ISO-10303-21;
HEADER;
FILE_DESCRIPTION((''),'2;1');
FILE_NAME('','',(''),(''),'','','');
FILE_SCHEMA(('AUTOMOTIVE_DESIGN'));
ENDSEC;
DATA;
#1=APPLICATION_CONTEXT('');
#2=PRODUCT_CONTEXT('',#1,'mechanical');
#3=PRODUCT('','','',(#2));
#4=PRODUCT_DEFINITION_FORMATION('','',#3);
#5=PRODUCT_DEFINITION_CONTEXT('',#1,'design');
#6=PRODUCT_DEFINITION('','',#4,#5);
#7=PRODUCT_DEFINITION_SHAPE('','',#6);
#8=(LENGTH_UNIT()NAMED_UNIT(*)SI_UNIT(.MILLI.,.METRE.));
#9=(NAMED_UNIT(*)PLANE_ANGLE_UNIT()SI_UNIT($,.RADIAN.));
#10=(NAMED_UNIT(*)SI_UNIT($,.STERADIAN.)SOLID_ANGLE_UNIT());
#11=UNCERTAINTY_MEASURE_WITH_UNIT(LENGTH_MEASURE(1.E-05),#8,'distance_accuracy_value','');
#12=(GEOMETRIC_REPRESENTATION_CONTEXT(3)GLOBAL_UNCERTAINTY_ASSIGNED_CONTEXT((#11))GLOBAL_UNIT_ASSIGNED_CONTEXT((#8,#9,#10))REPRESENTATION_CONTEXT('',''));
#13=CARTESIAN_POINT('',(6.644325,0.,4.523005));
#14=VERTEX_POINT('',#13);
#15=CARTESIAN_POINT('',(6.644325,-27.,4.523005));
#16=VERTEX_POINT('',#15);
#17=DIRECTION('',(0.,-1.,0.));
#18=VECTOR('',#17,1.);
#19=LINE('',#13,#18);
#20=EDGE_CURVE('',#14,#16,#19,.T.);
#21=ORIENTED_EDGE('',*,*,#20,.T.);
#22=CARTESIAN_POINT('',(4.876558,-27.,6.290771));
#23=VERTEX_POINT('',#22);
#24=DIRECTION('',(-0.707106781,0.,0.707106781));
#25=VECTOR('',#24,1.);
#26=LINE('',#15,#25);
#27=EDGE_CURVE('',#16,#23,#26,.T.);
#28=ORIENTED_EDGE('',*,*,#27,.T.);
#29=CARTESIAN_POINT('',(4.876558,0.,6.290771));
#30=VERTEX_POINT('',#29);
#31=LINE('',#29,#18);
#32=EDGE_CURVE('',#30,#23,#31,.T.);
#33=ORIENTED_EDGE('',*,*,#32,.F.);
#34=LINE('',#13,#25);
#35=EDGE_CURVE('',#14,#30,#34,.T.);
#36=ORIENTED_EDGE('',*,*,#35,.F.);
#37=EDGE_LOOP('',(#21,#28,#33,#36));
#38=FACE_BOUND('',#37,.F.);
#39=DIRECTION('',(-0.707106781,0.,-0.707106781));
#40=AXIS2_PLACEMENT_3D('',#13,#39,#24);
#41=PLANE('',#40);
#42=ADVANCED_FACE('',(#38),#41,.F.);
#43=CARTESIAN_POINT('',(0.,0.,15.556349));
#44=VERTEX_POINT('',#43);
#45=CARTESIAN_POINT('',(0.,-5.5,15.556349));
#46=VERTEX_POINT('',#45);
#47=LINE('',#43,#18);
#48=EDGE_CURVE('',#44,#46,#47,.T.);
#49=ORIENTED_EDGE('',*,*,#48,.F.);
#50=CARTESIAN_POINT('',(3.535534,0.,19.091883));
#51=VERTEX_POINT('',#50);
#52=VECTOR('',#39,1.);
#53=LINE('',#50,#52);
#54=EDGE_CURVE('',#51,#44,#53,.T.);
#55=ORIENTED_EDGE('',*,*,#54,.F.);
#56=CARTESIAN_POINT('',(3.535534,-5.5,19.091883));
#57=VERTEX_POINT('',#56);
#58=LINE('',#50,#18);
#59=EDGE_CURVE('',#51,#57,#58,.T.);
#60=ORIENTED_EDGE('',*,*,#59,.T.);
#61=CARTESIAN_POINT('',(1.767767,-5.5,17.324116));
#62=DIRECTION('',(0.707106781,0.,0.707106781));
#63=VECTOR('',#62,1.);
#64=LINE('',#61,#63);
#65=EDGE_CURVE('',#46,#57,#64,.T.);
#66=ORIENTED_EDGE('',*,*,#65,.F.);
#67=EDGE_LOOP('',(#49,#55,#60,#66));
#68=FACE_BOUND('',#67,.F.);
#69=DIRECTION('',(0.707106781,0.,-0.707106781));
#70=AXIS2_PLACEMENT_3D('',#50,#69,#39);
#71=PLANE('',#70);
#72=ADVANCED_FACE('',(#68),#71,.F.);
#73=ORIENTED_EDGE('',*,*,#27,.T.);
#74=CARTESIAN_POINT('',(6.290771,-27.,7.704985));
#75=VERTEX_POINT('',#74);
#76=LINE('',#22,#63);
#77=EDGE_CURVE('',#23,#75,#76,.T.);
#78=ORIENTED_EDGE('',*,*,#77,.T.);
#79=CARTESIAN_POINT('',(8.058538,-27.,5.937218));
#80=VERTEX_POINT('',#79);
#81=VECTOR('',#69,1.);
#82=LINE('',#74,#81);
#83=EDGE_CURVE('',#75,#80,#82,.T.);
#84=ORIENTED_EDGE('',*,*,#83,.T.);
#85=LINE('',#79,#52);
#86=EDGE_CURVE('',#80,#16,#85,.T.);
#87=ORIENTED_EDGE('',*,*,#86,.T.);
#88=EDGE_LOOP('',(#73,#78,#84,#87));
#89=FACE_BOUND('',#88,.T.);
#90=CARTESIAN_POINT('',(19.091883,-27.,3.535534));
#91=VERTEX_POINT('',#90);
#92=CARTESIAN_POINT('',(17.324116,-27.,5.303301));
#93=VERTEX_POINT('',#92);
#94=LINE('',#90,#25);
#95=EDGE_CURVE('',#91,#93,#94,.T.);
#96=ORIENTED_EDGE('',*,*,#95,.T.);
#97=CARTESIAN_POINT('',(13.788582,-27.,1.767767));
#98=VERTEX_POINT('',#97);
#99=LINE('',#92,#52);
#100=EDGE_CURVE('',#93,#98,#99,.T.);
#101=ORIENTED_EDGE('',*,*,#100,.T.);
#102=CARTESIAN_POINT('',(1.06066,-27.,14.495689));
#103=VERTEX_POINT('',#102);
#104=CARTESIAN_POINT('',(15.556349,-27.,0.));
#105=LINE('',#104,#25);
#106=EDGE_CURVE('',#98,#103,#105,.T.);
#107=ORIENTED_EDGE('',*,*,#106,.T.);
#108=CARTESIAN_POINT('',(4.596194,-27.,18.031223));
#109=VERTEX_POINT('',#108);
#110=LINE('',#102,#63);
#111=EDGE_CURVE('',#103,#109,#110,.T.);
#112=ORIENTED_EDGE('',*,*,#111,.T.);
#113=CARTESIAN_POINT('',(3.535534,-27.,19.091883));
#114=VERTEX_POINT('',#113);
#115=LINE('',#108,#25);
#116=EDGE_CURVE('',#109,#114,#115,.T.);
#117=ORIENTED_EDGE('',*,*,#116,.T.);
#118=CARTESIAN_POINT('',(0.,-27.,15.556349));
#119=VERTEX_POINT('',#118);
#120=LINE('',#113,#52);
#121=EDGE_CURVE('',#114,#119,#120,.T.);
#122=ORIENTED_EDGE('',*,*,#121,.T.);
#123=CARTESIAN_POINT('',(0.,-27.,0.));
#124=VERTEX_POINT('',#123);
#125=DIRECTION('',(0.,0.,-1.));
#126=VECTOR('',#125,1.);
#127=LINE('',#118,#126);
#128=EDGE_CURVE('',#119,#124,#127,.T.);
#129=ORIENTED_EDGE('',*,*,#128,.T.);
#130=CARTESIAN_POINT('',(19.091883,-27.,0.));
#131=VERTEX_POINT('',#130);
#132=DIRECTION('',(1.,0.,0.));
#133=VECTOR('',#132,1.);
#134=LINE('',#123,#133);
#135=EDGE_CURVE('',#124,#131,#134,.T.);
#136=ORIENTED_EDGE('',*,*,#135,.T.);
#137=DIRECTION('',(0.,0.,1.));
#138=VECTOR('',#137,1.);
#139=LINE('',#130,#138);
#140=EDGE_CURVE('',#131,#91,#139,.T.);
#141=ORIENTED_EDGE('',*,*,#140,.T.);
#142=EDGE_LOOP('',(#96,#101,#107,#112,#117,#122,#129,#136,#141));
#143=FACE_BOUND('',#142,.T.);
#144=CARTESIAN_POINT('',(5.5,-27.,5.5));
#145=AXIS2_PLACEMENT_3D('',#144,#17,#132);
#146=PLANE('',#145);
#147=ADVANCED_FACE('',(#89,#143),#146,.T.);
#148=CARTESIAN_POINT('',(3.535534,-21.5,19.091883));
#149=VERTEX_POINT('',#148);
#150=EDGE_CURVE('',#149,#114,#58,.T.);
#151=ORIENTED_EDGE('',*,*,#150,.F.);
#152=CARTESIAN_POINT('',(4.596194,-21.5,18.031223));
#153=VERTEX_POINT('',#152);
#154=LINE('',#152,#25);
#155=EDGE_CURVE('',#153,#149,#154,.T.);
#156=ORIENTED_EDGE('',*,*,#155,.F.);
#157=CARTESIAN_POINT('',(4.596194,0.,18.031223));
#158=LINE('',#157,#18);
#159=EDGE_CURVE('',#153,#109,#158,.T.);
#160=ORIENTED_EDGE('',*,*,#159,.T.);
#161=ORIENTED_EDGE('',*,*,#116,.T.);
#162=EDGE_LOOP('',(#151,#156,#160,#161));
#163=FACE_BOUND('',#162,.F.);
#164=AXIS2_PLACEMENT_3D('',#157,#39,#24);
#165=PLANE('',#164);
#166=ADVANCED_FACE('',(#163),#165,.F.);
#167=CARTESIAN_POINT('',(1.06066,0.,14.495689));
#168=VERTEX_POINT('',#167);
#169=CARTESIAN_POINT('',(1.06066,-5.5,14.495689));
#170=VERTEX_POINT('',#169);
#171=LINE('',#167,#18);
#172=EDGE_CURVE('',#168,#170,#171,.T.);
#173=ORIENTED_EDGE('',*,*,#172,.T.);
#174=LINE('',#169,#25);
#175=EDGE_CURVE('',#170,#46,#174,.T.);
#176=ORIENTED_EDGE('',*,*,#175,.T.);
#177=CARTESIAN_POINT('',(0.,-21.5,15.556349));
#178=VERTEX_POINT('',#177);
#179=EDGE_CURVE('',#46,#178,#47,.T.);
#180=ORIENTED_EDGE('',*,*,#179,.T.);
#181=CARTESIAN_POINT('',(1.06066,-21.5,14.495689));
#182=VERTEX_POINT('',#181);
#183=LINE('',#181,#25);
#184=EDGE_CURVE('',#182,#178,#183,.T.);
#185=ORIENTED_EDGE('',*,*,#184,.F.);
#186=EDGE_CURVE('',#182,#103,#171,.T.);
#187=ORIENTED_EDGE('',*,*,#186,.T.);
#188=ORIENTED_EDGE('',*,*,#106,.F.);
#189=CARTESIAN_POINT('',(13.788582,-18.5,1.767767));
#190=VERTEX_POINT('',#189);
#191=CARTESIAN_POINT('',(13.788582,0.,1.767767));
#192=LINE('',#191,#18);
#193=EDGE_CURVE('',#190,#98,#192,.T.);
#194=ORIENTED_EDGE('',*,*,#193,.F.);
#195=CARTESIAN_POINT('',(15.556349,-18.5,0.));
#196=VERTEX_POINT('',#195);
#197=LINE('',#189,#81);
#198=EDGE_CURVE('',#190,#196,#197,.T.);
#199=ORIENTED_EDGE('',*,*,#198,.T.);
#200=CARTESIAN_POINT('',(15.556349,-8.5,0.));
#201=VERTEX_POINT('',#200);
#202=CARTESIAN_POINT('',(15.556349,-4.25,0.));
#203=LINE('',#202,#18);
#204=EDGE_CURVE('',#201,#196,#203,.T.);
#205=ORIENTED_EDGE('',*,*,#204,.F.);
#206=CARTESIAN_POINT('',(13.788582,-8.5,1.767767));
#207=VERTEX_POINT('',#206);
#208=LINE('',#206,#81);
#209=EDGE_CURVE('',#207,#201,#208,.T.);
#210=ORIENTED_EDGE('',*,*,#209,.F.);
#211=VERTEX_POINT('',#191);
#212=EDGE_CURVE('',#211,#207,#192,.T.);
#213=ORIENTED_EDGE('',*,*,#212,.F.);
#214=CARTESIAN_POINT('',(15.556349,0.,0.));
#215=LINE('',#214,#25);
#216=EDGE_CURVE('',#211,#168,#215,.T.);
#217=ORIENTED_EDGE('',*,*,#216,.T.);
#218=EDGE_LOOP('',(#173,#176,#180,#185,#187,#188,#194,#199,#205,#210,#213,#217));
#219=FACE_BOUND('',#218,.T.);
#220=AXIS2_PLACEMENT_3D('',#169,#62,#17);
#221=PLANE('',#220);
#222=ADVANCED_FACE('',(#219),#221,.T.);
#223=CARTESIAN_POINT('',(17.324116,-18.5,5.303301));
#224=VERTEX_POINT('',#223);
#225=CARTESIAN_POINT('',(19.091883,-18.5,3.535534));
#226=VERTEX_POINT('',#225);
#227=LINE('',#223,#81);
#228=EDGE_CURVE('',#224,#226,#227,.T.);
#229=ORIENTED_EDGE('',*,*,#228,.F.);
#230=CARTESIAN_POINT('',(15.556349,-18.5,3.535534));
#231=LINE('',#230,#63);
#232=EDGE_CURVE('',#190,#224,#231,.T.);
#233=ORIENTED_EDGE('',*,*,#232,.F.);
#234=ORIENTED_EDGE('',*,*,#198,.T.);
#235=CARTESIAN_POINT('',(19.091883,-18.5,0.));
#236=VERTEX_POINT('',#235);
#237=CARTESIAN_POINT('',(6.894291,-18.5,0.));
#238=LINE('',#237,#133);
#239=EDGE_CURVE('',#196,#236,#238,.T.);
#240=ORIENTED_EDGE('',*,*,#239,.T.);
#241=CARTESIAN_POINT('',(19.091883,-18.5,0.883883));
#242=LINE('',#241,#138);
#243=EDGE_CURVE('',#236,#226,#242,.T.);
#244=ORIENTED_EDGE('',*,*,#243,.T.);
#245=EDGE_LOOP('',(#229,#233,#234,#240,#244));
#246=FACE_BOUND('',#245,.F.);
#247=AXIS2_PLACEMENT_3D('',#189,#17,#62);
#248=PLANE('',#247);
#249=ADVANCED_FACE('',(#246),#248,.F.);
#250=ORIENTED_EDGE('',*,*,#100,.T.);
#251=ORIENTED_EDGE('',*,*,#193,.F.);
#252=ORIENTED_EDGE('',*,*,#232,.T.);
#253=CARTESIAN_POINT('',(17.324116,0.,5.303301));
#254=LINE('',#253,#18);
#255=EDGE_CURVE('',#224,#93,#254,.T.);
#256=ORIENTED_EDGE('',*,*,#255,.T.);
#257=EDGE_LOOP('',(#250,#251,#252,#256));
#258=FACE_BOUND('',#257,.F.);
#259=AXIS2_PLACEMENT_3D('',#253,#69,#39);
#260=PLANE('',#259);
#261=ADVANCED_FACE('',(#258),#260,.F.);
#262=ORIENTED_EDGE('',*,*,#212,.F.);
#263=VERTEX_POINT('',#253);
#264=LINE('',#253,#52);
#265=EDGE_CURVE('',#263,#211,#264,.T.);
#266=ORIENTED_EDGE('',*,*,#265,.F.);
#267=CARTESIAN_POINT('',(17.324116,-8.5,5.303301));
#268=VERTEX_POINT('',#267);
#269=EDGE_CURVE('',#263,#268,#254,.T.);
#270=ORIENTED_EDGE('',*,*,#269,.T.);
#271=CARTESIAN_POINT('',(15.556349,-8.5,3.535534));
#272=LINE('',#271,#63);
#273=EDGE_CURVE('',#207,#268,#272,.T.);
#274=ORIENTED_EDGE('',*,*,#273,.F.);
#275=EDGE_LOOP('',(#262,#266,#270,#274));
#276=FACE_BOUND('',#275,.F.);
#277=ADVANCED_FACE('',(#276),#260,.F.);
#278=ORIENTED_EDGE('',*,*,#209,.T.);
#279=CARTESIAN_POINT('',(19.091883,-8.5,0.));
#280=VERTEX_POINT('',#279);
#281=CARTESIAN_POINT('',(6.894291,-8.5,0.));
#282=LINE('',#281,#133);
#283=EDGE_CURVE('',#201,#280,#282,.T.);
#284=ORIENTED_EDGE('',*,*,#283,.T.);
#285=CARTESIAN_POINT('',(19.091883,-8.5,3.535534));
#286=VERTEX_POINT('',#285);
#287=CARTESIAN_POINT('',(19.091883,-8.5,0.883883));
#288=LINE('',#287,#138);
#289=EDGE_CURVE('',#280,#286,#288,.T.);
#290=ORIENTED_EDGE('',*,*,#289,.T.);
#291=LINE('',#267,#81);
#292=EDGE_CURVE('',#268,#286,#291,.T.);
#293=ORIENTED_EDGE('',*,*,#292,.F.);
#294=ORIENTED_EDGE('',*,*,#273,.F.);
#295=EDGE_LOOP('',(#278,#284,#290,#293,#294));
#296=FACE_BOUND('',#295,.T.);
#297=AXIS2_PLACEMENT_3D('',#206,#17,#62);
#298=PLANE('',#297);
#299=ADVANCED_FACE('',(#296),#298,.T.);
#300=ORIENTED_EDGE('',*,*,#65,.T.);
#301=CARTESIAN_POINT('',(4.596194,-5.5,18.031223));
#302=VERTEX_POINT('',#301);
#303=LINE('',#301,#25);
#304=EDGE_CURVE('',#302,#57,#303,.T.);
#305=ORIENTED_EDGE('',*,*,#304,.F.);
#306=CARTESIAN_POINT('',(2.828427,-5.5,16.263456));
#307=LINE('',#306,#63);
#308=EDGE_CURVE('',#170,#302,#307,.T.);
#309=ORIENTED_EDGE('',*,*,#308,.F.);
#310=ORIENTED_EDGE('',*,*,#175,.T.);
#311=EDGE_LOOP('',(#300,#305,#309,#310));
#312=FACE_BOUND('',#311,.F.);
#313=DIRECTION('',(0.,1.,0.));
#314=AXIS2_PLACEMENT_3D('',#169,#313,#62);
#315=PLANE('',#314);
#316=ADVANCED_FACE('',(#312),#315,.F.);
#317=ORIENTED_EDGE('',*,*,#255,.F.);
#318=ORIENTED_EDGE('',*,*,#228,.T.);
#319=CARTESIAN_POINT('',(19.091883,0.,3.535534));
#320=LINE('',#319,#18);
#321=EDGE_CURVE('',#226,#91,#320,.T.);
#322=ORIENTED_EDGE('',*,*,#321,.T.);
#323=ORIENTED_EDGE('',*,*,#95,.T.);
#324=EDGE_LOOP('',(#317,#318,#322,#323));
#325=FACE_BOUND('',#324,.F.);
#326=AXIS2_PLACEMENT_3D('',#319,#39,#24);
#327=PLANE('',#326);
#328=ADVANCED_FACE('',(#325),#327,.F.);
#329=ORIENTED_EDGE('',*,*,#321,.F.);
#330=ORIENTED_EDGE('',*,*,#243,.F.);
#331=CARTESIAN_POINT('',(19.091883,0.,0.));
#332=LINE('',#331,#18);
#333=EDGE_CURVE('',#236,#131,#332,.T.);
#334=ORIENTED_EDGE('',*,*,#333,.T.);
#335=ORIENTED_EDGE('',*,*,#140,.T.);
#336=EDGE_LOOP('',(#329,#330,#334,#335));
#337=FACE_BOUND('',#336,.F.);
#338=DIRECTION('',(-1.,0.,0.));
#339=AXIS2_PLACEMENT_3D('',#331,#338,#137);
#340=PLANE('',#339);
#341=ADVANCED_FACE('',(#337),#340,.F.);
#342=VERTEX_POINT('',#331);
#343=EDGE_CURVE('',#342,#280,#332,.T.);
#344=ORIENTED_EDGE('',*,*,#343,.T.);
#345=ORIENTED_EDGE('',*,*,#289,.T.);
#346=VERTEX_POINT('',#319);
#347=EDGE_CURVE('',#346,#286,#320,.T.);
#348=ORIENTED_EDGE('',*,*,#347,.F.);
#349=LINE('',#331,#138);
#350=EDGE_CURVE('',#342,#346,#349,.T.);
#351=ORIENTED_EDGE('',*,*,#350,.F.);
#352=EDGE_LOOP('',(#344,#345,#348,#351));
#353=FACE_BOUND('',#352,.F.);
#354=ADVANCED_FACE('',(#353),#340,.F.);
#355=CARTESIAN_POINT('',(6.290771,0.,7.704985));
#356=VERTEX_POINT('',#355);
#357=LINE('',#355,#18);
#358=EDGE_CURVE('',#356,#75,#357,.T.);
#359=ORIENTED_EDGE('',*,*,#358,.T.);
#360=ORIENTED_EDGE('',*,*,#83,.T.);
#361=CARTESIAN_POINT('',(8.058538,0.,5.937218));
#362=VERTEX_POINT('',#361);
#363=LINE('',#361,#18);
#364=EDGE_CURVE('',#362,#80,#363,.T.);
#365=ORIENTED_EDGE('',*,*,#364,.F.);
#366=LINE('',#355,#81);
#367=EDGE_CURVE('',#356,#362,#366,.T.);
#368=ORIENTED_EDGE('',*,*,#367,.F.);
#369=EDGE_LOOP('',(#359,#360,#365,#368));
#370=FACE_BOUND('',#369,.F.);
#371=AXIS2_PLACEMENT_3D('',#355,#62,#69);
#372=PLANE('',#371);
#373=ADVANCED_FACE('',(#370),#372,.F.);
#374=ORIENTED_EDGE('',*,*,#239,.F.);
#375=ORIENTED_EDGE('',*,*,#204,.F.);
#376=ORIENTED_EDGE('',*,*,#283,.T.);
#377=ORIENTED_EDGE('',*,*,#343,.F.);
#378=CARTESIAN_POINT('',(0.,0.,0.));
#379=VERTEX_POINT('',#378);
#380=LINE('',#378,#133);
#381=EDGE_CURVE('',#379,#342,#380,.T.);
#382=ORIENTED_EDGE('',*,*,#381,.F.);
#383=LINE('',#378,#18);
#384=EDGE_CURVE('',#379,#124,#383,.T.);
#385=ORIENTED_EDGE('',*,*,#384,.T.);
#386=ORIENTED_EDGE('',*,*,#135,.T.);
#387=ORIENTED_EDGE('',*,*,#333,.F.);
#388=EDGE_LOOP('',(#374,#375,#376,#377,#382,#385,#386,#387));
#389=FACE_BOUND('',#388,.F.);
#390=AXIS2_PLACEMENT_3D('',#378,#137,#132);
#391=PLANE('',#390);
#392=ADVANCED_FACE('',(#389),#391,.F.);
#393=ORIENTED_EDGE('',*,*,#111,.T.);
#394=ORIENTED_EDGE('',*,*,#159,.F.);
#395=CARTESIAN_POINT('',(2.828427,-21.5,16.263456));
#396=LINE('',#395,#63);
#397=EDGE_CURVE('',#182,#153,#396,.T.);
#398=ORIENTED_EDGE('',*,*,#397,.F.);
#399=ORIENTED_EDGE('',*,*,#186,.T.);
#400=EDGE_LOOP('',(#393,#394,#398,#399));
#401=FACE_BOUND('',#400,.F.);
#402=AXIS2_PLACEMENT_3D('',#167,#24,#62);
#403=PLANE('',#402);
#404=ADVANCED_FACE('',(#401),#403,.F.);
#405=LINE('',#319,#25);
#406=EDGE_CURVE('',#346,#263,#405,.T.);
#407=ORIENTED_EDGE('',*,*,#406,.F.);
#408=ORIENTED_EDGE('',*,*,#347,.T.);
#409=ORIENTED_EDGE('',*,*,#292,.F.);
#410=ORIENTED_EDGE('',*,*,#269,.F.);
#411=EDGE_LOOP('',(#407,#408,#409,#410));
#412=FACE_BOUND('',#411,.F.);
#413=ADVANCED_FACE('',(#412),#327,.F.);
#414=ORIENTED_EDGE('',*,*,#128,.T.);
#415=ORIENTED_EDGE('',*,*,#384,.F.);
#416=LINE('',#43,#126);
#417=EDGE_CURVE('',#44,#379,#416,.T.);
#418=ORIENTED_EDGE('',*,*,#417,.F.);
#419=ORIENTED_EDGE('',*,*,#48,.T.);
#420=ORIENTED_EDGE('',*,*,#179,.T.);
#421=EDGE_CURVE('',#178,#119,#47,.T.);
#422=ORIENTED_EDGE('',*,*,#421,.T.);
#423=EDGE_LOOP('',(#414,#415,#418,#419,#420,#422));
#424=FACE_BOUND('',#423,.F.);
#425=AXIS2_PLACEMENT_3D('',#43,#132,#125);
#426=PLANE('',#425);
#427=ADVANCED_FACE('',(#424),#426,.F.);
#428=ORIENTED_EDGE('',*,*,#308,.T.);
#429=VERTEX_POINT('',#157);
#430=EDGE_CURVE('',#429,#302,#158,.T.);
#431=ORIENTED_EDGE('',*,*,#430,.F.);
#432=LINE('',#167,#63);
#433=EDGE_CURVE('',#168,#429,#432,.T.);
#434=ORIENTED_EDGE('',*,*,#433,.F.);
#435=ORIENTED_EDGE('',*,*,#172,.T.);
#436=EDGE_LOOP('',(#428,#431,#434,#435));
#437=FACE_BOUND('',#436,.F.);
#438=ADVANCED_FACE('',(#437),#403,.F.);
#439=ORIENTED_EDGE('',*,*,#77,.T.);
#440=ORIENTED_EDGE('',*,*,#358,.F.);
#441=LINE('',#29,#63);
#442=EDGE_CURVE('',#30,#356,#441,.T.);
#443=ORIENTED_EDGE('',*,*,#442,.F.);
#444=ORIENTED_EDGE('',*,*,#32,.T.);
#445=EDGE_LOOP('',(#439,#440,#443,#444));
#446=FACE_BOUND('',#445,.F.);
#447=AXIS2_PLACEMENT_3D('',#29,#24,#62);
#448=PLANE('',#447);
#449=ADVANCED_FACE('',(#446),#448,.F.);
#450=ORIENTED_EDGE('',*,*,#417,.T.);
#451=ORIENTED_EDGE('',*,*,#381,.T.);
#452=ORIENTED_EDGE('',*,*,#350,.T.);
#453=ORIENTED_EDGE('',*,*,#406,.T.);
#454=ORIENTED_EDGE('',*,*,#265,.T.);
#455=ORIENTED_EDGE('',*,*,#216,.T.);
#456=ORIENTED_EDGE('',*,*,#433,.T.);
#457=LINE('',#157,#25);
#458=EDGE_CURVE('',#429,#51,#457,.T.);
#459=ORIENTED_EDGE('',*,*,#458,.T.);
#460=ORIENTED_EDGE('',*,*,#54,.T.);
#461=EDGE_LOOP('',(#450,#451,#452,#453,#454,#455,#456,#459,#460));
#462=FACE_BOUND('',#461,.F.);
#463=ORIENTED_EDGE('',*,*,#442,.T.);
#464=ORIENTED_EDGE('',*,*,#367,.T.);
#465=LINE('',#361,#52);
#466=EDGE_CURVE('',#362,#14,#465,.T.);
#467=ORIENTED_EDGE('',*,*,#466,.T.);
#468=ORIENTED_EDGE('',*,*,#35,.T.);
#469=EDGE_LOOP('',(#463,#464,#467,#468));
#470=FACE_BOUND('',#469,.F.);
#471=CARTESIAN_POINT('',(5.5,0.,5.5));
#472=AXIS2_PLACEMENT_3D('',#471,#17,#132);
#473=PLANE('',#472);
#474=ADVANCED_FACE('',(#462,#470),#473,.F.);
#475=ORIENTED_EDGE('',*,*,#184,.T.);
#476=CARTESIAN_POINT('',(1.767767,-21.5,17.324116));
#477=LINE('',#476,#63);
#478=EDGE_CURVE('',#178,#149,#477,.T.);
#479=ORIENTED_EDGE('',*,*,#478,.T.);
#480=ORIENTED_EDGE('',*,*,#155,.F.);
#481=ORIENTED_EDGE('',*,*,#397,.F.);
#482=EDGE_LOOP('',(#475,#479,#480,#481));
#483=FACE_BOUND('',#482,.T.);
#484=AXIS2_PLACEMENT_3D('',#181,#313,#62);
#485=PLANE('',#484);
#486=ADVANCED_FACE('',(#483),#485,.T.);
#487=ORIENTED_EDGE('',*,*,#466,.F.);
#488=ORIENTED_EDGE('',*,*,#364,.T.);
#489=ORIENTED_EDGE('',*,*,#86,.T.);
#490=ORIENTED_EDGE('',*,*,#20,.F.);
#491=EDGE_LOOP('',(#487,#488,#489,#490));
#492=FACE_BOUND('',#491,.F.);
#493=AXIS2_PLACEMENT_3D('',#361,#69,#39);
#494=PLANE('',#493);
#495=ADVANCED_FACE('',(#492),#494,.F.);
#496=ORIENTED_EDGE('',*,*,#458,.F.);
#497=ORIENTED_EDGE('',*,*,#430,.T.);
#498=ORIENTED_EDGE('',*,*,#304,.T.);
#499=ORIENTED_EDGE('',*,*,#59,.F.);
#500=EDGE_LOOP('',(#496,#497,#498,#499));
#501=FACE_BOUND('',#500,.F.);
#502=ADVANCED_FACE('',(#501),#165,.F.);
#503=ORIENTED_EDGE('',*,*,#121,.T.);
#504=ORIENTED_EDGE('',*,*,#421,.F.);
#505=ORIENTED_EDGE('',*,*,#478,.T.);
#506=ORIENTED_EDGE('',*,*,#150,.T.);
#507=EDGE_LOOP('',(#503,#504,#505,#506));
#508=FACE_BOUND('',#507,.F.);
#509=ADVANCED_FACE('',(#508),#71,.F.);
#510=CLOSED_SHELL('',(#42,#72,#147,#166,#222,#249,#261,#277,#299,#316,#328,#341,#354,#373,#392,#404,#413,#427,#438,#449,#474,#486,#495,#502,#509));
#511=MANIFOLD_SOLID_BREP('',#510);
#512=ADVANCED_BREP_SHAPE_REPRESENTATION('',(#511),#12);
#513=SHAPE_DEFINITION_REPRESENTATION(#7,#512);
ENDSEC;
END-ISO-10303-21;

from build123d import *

# Parameters (mm, degrees)
F1_DEPTH = 27
F2_W     = 5
F2_H     = 16
F3_DEPTH = 25
F4_W     = 10
F4_H     = 5
F5_DEPTH = 25


with BuildPart() as f1:
    # F0 (on Front) → F1 (new body)
    with BuildSketch(Plane.XZ):
        Polygon((0, 15.5563491861), (0, 0), (15.5563491861, 0), (13.7885822331, 1.767766953), (1.0606601718, 14.4956890143), align=None)
        Polygon((4.8765578995, 6.2907714619), (6.2907714619, 7.7049850243), (8.0585384149, 5.9372180713), (6.6443248525, 4.5230045089), align=None, mode=Mode.SUBTRACT)
        Polygon((3.5355339059, 19.091883092), (0, 15.5563491861), (1.0606601718, 14.4956890143), (4.5961940777, 18.0312229203), align=None)
        Polygon((13.7885822331, 1.767766953), (15.5563491861, 0), (19.091883092, 3.5355339059), (17.3241161391, 5.3033008589), align=None)
        Polygon((19.091883092, 3.5355339059), (15.5563491861, 0), (19.091883092, 0), align=None)
    extrude(amount=F1_DEPTH)

    # F2 (on face) → F3 (cut)
    with BuildSketch(Plane(origin=(-6.7175144213, 0, 6.7175144213), x_dir=(0.7071067812, 0, 0.7071067812), z_dir=(0.7071067812, 0, -0.7071067812))):
        with Locations((13.5, 13.5)):
            Rectangle(F2_W, F2_H)
    extrude(amount=-F3_DEPTH, mode=Mode.SUBTRACT)

    # F4 (on face) → F5 (cut)
    with BuildSketch(Plane(origin=(6.0104076401, 0, -6.0104076401), x_dir=(0, -1, 0), z_dir=(-0.7071067812, 0, 0.7071067812))):
        with Locations((13.5, 13.5)):
            Rectangle(F4_W, F4_H)
    extrude(amount=-F5_DEPTH, mode=Mode.SUBTRACT)


solid = f1.part
